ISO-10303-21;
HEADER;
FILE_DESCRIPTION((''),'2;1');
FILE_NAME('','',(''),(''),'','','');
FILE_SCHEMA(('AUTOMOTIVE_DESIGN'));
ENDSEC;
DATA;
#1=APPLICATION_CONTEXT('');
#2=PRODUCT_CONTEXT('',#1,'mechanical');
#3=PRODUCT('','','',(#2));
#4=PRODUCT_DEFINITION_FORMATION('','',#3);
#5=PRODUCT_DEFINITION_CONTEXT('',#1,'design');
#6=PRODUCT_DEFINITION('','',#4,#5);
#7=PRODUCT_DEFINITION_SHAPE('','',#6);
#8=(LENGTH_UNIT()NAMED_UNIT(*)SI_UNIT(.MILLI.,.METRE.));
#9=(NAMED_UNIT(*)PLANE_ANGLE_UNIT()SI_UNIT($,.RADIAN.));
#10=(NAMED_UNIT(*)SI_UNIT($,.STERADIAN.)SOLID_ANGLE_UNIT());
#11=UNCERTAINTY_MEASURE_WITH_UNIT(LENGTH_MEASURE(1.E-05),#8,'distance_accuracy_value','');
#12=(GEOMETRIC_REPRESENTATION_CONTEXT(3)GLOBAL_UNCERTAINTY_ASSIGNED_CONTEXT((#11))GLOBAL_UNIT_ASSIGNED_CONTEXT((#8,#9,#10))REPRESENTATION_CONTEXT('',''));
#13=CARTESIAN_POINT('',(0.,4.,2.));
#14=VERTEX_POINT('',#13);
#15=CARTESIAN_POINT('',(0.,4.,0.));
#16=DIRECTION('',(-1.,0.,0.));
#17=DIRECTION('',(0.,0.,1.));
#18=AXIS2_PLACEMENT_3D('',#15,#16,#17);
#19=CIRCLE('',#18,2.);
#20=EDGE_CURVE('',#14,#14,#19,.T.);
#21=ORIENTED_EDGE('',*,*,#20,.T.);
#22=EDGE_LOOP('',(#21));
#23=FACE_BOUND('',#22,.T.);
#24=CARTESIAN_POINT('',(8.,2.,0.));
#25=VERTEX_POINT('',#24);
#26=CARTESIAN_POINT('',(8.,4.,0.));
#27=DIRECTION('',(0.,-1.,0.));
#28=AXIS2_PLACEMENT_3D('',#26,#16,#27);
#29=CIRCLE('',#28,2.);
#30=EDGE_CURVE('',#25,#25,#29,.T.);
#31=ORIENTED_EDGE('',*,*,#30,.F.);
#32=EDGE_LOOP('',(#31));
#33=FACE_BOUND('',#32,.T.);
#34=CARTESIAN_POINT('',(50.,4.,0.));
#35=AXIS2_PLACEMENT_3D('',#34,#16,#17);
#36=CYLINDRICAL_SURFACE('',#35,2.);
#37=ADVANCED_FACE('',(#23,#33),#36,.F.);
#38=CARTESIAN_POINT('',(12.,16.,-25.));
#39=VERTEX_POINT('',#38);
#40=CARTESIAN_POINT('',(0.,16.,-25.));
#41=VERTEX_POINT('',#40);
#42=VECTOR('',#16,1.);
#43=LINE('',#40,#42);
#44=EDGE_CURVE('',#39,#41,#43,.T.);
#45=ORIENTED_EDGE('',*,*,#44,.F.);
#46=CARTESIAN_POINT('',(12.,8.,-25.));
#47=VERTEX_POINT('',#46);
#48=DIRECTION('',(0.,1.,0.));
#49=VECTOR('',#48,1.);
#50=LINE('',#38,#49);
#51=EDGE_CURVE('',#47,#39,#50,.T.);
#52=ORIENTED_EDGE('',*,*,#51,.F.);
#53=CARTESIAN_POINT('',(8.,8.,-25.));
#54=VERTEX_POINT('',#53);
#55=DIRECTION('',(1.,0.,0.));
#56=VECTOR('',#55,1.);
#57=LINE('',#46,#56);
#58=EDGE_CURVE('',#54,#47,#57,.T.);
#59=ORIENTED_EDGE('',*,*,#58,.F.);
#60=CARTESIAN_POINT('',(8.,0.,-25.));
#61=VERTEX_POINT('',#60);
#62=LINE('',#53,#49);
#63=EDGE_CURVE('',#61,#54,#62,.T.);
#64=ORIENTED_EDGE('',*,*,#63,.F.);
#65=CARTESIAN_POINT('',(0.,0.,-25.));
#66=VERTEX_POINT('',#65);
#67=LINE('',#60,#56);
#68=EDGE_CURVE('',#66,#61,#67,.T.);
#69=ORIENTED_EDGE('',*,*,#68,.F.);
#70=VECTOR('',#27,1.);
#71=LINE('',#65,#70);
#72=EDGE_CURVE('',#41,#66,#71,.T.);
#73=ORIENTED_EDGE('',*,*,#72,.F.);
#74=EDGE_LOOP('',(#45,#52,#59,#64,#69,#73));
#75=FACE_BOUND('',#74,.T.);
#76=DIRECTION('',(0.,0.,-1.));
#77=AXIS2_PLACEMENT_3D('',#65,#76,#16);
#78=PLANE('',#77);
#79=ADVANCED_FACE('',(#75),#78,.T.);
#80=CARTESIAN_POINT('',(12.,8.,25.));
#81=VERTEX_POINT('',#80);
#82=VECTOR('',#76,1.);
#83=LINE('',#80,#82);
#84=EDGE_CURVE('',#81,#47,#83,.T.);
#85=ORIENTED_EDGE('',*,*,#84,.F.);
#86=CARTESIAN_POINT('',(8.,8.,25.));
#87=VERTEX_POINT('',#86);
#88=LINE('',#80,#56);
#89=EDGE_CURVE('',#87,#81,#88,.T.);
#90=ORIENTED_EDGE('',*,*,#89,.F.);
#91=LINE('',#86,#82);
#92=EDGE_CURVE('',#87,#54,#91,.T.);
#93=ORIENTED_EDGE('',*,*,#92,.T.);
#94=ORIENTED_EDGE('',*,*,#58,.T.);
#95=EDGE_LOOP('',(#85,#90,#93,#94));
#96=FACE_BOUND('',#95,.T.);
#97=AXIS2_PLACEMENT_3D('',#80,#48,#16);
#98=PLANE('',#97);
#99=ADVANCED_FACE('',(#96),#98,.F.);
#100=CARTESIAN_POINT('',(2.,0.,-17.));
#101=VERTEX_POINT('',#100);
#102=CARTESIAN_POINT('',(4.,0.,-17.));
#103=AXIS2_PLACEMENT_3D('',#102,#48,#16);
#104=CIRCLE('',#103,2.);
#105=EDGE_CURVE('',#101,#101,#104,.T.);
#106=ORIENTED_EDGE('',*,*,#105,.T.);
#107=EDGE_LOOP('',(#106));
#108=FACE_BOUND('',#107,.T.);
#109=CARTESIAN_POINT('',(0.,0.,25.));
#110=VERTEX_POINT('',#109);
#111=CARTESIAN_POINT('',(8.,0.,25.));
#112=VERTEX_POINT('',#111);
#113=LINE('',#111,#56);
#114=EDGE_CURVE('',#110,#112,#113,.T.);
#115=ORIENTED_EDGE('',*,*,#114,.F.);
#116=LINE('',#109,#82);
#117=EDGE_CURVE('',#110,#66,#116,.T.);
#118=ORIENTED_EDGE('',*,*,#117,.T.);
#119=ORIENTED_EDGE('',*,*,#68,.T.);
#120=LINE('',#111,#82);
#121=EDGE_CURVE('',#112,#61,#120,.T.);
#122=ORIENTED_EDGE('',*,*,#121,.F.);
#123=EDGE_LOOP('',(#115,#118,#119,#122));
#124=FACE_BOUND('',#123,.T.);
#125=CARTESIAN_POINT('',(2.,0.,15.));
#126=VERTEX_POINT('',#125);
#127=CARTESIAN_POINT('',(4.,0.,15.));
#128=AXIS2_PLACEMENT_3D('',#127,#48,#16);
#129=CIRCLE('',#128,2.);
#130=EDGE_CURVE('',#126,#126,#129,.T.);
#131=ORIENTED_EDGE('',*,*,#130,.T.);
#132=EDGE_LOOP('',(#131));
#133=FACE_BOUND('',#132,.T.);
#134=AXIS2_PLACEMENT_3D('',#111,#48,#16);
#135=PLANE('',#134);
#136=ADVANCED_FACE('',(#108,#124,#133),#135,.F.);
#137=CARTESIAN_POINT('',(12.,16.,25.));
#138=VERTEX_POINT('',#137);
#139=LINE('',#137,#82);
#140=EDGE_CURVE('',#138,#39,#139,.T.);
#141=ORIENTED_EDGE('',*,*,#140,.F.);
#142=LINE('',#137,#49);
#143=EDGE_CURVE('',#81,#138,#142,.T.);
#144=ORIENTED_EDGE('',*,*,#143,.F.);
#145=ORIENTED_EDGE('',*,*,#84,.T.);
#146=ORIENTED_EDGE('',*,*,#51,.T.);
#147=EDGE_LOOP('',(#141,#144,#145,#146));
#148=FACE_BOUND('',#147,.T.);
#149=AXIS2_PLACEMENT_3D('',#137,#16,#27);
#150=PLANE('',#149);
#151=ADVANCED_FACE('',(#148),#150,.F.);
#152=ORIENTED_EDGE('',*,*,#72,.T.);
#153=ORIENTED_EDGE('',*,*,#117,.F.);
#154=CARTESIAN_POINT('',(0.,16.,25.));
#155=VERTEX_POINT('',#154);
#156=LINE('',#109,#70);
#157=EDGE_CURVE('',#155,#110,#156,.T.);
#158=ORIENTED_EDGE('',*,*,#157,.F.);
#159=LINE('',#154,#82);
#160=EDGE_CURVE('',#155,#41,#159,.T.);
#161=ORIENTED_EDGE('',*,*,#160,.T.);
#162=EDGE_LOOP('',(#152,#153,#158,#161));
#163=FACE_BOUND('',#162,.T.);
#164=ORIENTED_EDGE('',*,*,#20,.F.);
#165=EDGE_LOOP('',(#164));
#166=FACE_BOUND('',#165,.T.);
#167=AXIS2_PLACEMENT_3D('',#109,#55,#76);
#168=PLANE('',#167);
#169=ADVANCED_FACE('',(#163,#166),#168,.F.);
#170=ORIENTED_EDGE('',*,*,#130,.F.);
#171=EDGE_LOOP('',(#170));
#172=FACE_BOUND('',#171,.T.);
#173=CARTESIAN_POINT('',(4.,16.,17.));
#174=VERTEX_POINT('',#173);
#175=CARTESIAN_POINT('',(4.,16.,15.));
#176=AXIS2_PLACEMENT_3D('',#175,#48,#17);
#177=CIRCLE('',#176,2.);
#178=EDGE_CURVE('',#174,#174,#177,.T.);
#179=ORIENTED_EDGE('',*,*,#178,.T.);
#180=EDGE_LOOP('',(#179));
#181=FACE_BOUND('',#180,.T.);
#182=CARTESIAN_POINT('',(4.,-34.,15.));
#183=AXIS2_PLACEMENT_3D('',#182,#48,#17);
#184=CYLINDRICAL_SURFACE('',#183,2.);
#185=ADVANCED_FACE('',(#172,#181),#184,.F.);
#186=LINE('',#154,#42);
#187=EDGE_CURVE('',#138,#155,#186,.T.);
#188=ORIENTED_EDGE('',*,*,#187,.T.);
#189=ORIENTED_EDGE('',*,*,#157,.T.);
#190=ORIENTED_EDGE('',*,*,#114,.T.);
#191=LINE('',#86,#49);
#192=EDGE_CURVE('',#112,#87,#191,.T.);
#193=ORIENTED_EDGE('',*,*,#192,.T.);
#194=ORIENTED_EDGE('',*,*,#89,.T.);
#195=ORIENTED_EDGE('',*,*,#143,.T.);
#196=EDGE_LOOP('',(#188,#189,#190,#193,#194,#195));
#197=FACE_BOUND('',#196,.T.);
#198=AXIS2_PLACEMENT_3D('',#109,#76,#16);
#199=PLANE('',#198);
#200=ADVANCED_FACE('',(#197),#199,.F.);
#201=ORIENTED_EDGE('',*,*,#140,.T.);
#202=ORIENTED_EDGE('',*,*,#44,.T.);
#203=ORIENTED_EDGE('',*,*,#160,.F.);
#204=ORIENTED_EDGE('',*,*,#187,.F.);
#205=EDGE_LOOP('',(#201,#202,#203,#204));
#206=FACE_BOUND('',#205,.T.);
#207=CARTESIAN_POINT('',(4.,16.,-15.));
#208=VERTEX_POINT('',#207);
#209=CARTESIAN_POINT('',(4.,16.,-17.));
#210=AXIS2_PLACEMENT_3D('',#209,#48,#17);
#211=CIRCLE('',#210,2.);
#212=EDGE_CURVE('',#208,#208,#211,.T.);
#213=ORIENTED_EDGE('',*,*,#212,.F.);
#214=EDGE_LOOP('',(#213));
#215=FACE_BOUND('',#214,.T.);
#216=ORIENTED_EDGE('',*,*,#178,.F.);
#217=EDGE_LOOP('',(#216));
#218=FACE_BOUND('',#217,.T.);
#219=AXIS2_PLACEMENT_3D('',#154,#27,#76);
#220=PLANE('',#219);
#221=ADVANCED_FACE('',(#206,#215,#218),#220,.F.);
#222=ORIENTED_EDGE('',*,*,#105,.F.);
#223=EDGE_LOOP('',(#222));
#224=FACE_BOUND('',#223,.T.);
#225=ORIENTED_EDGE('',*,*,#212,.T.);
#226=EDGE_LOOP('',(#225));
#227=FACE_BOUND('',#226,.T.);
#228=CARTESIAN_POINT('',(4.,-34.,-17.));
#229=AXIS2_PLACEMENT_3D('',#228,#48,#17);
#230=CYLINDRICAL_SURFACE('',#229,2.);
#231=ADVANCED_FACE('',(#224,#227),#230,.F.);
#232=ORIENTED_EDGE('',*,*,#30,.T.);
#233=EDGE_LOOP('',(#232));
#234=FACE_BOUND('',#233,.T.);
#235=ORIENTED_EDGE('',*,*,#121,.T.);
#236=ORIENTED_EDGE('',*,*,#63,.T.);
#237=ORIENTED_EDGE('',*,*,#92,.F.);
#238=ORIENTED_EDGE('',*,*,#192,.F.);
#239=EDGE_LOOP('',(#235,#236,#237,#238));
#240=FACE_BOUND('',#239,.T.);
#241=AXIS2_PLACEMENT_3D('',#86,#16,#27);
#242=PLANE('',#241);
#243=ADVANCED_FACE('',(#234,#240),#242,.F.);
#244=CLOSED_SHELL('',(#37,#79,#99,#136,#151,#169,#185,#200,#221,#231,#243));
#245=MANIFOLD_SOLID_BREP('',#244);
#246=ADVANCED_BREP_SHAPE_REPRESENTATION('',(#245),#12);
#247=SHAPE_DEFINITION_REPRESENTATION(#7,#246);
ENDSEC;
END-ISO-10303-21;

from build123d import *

# Parameters (mm, degrees)
BOSS_EXTRUDE1_DEPTH = 25
SKETCH2_R           = 2
CUT_EXTRUDE1_DEPTH  = 50
SKETCH4_R           = 2
CUT_EXTRUDE2_DEPTH  = 50


with BuildPart() as part:
    # Sketch1 → Boss-Extrude1 (new, symmetric)
    with BuildSketch(Plane.XY):
        Polygon((0, 0), (0, 16), (12, 16), (12, 8), (8, 8), (8, 0), align=None)
    extrude(amount=BOSS_EXTRUDE1_DEPTH, both=True)

    # Sketch2 → Cut-Extrude1 (cut)
    with BuildSketch(Plane.ZY):
        with Locations((0, 4)):
            Circle(SKETCH2_R)
    extrude(amount=-CUT_EXTRUDE1_DEPTH, mode=Mode.SUBTRACT)

    # Sketch4 → Cut-Extrude2 (cut)
    with BuildSketch(Plane(origin=(0, 16, 0), x_dir=(1, 0, 0), z_dir=(0, 1, 0))):
        with Locations(Location((4, 17, 0), (0, 0, 270))):
            Circle(SKETCH4_R)
        with Locations(Location((4, -15, 0), (0, 0, 270))):
            Circle(SKETCH4_R)
    extrude(amount=-CUT_EXTRUDE2_DEPTH, mode=Mode.SUBTRACT)


solid = part.part
